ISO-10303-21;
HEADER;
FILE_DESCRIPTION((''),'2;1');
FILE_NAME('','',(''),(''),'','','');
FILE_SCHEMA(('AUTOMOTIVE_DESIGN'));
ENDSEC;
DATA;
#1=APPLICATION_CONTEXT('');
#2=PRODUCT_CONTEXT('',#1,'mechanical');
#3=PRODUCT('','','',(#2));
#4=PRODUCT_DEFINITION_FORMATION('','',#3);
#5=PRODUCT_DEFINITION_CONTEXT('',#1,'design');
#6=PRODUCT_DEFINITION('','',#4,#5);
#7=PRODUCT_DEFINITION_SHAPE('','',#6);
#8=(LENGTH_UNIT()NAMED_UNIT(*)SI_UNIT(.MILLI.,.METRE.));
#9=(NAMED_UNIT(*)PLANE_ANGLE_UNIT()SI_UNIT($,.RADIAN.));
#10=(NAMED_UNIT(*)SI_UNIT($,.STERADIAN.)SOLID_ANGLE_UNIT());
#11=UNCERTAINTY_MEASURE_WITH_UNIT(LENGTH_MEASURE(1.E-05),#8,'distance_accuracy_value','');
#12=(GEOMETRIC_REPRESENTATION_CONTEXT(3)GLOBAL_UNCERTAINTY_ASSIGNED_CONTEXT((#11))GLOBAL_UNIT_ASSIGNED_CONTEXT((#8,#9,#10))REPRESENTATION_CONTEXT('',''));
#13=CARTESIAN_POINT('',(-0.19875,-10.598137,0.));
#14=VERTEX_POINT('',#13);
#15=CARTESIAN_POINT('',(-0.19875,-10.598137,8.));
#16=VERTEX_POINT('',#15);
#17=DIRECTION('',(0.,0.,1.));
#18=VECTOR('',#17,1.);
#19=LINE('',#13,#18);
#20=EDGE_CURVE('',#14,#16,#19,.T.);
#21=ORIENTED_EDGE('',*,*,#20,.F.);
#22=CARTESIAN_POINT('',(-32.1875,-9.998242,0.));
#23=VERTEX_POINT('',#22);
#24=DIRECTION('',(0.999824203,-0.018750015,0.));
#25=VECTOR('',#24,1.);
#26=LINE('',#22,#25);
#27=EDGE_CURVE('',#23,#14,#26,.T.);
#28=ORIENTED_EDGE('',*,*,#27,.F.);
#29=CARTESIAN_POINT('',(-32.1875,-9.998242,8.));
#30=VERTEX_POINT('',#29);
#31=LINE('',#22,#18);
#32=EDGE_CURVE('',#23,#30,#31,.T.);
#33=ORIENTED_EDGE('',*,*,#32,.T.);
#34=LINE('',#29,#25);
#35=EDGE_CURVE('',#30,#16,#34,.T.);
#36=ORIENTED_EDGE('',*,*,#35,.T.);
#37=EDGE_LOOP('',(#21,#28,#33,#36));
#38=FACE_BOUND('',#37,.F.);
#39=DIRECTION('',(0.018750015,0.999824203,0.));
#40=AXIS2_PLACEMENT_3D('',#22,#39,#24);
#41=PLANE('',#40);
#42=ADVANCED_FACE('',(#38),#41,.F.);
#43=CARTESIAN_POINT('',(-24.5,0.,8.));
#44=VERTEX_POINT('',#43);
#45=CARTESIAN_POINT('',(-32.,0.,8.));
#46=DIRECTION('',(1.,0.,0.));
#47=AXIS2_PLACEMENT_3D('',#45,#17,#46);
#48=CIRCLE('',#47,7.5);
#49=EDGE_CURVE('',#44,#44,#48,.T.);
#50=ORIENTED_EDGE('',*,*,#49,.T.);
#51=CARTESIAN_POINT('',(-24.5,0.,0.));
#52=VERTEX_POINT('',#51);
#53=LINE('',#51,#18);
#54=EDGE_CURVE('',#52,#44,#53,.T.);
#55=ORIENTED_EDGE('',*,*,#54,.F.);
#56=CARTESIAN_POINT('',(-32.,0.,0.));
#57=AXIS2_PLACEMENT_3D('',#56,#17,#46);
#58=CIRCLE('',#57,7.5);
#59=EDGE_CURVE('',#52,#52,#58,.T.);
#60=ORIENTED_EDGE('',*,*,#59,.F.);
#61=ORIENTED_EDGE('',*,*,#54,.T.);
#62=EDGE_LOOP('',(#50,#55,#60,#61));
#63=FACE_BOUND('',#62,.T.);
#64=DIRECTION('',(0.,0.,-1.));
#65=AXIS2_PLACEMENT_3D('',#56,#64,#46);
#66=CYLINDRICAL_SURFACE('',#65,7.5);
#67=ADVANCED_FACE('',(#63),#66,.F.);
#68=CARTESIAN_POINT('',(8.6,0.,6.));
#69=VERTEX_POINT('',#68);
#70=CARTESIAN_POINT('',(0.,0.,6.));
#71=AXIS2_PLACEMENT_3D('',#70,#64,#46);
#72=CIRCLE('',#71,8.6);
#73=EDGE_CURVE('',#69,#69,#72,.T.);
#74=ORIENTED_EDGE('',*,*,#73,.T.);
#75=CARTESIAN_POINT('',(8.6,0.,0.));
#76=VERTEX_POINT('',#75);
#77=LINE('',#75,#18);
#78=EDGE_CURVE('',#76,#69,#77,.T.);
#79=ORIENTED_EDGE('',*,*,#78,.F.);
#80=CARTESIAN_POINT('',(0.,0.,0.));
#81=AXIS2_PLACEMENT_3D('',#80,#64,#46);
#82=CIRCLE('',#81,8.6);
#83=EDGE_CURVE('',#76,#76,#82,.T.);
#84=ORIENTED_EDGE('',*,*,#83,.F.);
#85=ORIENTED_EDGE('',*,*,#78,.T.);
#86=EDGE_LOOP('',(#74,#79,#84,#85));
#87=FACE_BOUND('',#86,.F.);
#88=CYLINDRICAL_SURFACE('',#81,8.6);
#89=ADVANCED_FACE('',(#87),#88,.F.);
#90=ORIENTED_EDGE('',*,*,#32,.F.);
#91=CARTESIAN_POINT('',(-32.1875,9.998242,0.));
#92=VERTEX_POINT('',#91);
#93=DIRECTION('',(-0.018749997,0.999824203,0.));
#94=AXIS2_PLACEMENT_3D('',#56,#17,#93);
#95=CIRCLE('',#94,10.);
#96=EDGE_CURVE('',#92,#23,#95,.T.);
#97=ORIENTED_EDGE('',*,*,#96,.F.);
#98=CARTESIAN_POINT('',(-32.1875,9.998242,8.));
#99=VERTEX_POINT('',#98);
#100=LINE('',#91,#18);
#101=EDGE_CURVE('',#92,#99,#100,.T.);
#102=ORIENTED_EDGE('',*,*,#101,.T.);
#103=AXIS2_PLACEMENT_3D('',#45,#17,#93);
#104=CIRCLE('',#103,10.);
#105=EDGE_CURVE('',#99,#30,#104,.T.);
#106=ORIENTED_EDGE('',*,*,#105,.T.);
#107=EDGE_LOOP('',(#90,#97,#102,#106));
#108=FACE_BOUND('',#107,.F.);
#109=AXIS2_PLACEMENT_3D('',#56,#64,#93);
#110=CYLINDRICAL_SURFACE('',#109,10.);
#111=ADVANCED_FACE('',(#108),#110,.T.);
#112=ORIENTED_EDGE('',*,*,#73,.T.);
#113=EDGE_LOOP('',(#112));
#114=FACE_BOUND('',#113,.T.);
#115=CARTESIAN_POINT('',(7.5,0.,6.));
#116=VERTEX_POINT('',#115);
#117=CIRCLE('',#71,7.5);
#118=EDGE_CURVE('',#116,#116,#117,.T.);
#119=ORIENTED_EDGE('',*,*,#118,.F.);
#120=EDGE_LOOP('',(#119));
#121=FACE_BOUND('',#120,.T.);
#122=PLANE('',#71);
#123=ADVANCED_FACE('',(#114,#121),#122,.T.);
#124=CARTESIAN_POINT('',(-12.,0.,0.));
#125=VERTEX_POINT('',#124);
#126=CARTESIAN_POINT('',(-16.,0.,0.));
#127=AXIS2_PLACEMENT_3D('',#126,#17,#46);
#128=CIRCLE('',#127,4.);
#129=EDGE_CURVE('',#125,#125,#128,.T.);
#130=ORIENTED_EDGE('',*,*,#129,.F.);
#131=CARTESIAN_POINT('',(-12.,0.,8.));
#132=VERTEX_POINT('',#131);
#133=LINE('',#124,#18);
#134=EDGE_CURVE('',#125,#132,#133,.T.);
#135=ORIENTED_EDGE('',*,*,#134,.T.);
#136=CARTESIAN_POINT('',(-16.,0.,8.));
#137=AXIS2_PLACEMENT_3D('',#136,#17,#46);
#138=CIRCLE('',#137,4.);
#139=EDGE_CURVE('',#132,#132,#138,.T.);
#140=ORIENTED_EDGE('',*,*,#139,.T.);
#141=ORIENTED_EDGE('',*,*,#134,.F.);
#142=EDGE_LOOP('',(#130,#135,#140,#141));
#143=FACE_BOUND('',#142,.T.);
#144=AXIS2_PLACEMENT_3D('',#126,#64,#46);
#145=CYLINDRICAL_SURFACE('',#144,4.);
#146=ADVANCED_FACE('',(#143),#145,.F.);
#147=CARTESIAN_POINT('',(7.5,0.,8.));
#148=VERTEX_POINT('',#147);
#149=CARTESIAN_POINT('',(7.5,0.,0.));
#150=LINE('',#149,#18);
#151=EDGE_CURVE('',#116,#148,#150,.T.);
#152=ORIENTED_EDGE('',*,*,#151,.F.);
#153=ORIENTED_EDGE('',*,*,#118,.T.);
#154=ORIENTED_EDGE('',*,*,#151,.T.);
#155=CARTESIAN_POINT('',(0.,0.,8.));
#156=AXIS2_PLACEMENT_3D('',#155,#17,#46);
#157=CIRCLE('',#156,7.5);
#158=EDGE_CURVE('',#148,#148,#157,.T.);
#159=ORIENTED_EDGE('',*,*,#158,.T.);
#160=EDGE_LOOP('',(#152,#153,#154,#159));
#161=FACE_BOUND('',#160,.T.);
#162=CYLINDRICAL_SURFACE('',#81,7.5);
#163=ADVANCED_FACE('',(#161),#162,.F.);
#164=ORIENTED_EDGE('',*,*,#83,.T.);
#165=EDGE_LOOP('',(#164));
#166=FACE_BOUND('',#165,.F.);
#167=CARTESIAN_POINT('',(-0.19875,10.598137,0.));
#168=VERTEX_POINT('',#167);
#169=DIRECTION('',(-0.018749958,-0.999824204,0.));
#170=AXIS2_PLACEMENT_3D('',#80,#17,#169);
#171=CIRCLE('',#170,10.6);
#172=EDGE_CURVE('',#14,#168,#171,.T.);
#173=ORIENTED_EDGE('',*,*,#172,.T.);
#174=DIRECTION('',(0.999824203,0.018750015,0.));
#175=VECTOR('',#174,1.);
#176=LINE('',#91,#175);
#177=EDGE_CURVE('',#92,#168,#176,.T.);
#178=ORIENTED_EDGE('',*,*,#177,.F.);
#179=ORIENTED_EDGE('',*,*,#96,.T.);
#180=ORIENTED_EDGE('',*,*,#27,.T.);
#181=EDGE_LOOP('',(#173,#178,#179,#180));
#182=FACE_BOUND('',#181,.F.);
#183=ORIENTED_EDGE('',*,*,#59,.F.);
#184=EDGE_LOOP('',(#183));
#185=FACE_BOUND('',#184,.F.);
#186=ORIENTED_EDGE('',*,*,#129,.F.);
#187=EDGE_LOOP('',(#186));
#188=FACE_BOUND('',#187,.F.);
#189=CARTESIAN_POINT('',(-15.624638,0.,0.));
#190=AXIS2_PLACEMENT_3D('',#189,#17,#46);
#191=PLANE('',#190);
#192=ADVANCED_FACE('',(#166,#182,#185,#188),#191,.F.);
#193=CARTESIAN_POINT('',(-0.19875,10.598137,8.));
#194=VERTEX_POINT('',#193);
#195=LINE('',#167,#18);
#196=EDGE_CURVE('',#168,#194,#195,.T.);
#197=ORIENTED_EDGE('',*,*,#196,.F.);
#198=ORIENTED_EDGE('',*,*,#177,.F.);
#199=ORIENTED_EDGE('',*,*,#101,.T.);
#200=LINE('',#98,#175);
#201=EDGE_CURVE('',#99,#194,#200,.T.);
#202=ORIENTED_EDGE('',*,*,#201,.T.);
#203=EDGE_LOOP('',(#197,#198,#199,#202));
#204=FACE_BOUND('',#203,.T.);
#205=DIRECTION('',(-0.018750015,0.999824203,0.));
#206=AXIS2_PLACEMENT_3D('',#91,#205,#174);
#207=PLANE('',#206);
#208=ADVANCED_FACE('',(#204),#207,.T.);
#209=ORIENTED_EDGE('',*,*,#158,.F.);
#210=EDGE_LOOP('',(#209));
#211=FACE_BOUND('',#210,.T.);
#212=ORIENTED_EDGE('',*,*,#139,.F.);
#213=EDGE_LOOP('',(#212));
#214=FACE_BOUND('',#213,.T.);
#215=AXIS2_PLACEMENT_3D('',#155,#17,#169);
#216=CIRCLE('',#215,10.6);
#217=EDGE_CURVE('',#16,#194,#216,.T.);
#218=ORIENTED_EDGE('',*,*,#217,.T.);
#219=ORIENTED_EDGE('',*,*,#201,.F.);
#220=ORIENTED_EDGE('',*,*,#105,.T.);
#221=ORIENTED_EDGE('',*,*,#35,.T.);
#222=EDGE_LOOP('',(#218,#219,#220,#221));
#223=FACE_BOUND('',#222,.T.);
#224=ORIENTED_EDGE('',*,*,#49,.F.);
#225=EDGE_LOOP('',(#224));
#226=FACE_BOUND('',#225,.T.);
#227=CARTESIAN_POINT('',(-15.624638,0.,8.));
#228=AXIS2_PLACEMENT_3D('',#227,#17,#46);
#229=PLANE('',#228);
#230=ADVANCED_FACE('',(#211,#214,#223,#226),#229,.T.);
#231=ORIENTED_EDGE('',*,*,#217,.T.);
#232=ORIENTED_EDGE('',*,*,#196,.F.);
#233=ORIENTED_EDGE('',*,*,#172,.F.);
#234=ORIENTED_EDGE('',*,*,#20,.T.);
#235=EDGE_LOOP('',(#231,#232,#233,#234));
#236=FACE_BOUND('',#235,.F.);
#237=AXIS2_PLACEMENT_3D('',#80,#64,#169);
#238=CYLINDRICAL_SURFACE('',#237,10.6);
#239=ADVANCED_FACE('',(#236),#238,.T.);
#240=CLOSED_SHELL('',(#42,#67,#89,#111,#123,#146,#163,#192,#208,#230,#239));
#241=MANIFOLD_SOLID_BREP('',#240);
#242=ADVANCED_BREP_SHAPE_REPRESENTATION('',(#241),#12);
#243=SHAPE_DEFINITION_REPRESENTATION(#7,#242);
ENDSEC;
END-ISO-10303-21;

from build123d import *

# Parameters (mm, degrees)
SKETCH_R        = 7.5
SKETCH_R_2      = 4
PAD_DEPTH       = 8
SKETCH001_R     = 8.6
POCKET_DEPTH    = 6
POCKET001_DEPTH = 8.001


with BuildPart() as part:
    # Sketch → Pad (new body)
    with BuildSketch(Plane.XY):
        with BuildLine():
            ThreePointArc((-32.1875, 9.998242), (-42, 0), (-32.1875, -9.998242))
            Line((-32.1875, -9.998242), (-0.19875, -10.598137))
            ThreePointArc((-0.19875, -10.598137), (10.6, 0), (-0.19875, 10.598137))
            Line((-32.1875, 9.998242), (-0.19875, 10.598137))
        make_face()
        with Locations((-32, 0)):
            Circle(SKETCH_R, mode=Mode.SUBTRACT)
        Circle(SKETCH_R, mode=Mode.SUBTRACT)
        with Locations((-16, 0)):
            Circle(SKETCH_R_2, mode=Mode.SUBTRACT)
    extrude(amount=PAD_DEPTH)

    # Sketch001 → Pocket (cut)
    with BuildSketch(Plane(origin=(0, 0, 0), x_dir=(1, 0, 0), z_dir=(0, 0, -1))):
        Circle(SKETCH001_R)
    extrude(amount=-POCKET_DEPTH, mode=Mode.SUBTRACT)

    # Sketch002 → Pocket001 (cut, through all)
    with BuildSketch(Plane(origin=(0, 0, 0), x_dir=(1, 0, 0), z_dir=(0, 0, -1))):
        Polygon((-34.829016, 4.9), (-37.658033, 0), (-34.829016, -4.9), (-29.170984, -4.9), (-26.341967, 0), (-29.170984, 4.9), align=None)
    extrude(amount=-POCKET001_DEPTH, mode=Mode.SUBTRACT)


solid = part.part
